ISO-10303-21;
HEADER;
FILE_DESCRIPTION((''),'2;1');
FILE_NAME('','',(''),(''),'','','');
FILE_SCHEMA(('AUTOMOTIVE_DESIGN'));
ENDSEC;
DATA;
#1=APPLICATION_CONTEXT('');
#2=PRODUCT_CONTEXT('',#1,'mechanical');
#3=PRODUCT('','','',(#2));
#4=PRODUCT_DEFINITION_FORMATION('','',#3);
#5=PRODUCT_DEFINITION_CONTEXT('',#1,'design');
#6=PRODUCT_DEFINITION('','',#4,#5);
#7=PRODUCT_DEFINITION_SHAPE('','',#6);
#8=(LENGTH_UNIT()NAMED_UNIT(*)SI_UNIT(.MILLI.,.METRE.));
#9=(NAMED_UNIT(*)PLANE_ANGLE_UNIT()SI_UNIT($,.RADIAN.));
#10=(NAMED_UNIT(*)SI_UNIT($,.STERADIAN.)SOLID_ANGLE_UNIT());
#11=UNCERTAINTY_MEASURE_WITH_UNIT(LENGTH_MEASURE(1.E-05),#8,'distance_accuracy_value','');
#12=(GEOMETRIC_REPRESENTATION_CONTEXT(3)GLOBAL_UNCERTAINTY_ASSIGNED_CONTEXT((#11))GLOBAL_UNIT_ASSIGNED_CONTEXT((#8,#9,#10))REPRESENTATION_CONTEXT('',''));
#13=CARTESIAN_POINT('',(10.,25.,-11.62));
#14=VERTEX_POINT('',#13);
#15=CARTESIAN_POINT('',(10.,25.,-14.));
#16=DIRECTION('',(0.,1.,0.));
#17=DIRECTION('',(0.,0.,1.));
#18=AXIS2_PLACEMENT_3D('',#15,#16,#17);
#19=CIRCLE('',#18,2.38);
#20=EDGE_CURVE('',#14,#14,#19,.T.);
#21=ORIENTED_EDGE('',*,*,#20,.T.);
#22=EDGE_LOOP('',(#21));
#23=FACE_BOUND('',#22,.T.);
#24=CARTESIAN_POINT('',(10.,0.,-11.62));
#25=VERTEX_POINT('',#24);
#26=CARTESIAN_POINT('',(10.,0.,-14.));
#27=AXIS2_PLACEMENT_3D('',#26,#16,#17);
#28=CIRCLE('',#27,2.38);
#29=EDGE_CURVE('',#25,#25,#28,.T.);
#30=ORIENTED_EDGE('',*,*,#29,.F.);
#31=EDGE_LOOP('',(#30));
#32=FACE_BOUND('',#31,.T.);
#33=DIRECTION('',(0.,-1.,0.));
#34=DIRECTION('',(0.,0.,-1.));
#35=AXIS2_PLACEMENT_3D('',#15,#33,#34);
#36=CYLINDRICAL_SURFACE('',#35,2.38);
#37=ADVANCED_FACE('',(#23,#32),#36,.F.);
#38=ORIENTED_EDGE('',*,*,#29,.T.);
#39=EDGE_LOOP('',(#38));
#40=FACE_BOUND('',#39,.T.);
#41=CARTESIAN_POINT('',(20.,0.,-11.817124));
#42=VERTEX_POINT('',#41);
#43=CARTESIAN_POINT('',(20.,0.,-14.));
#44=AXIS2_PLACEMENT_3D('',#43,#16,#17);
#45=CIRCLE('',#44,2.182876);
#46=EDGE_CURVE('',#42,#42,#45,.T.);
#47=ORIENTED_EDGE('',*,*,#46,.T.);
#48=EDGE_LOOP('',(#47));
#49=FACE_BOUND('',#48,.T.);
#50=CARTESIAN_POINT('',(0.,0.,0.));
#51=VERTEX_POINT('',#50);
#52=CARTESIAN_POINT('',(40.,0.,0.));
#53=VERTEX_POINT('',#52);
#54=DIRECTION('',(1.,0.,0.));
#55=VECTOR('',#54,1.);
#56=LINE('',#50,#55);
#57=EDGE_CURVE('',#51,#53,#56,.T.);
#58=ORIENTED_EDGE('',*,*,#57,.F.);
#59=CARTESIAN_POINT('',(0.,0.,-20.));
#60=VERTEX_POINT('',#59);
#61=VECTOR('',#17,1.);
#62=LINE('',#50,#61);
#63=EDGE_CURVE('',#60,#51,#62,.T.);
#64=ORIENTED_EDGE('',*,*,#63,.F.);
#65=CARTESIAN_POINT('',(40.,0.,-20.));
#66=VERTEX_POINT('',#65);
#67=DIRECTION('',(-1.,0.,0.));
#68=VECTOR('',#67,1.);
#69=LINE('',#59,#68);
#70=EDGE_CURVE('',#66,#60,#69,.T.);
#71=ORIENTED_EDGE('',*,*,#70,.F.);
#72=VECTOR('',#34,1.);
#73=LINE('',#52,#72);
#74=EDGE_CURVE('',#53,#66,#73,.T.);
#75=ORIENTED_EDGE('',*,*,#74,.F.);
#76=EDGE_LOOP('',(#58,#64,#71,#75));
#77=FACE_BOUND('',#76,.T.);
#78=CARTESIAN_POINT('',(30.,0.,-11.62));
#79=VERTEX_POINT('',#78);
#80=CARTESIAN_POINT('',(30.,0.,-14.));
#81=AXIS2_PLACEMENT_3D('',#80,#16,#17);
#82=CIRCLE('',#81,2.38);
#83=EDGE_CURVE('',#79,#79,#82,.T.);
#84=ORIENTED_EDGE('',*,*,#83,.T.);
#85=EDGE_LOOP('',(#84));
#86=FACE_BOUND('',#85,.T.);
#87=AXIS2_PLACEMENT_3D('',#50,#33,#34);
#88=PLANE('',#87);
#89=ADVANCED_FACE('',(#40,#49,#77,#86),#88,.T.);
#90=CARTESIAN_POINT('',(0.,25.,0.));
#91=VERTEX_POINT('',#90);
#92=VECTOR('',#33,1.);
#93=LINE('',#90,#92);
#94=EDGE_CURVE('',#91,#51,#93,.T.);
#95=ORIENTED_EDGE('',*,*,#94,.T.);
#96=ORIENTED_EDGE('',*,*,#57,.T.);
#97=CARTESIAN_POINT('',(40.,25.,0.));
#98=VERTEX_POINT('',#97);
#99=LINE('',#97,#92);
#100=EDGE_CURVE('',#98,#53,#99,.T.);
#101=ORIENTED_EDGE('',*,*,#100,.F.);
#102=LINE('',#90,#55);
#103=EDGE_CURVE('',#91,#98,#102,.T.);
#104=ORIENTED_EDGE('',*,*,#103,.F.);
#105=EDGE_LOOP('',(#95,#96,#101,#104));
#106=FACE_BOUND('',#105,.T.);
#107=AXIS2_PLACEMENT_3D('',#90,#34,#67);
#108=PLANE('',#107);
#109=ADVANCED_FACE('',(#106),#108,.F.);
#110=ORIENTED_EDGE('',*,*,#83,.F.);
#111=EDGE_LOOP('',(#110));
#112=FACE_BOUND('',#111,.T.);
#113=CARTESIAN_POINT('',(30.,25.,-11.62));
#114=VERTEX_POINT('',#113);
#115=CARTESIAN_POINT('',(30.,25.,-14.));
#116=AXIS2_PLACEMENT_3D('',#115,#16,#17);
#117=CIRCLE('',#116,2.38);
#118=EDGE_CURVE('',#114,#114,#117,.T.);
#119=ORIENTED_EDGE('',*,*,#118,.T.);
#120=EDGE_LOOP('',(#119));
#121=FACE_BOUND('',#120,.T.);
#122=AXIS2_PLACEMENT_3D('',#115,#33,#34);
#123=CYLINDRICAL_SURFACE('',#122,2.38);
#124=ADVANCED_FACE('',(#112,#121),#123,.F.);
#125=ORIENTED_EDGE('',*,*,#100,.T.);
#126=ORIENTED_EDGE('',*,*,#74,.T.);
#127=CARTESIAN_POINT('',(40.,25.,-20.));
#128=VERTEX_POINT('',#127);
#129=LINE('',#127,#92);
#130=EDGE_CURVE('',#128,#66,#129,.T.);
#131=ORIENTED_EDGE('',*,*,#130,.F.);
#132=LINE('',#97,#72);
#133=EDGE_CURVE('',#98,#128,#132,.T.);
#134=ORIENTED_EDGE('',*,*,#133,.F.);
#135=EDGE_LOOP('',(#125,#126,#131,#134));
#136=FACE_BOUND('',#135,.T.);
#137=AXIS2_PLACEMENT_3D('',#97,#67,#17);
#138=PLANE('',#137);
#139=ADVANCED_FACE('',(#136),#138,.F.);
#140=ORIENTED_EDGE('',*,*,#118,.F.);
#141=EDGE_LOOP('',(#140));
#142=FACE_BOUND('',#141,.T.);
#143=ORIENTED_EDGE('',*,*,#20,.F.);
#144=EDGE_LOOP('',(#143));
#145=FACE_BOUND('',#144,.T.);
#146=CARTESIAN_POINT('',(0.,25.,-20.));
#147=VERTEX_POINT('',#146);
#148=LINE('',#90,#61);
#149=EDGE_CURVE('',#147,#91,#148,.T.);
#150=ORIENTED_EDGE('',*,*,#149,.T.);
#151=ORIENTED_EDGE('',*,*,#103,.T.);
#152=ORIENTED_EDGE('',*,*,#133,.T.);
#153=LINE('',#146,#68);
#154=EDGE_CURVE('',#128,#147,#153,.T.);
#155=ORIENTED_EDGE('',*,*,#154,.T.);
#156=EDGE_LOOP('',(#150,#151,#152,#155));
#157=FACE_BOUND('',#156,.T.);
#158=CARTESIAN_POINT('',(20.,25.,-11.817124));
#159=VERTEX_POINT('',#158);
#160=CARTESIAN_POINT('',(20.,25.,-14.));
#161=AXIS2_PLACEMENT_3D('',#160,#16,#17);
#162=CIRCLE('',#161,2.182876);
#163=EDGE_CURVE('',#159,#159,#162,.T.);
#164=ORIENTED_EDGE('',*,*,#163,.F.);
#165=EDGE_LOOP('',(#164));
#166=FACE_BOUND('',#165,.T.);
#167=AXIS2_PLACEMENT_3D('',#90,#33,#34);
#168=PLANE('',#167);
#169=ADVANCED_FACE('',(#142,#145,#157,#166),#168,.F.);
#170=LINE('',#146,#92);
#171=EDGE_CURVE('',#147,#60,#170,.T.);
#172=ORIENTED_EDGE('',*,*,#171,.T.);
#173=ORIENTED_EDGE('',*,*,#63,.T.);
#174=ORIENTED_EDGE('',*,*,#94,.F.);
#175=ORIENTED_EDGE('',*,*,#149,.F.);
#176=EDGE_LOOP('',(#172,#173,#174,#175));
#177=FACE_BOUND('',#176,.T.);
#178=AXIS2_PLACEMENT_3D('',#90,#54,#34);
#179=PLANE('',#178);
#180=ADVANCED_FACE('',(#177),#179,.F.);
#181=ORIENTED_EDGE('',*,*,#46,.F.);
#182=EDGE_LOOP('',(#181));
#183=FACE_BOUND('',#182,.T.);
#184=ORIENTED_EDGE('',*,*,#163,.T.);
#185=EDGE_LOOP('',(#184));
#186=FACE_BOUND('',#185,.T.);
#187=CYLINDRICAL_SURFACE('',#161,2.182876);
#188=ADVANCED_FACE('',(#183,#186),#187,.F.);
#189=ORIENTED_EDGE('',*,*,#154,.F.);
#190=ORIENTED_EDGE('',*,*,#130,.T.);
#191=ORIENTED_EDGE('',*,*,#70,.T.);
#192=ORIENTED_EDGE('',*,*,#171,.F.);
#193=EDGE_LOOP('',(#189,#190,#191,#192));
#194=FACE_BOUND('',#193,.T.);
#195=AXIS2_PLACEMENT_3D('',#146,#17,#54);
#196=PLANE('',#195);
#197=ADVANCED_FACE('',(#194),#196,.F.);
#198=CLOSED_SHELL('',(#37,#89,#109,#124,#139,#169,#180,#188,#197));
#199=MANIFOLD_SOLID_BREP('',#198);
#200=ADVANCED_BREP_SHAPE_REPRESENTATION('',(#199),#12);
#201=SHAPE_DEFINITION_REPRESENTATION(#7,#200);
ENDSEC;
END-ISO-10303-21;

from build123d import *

# Parameters (mm, degrees)
SKETCH1_W                        = 40
SKETCH1_H                        = 20
SKETCH1_R                        = 2.38
BOSS_EXTRUDE1_DEPTH              = 25
F_11_64_0_17188_DIAMETER_HOLE1_D = 4.365752


with BuildPart() as part:
    # Sketch1 → Boss-Extrude1 (new body)
    with BuildSketch(Plane(origin=(0, 0, 0), x_dir=(1, 0, 0), z_dir=(0, 1, 0))):
        with Locations((20, 10)):
            Rectangle(SKETCH1_W, SKETCH1_H)
        with Locations(Location((10, 14, 0), (0, 0, 270))):  # turned: the seam where the file's is
            Circle(SKETCH1_R, mode=Mode.SUBTRACT)
        with Locations(Location((30, 14, 0), (0, 0, 270))):  # turned: the seam where the file's is
            Circle(SKETCH1_R, mode=Mode.SUBTRACT)
    extrude(amount=BOSS_EXTRUDE1_DEPTH)

    # 11/64 (0.17188) Diameter Hole1 (through all)
    with Locations(Plane(origin=(0, 25, 0), x_dir=(1, 0, 0), z_dir=(0, 1, 0))):
        with Locations((20, 14)):
            Hole(F_11_64_0_17188_DIAMETER_HOLE1_D / 2)


solid = part.part
